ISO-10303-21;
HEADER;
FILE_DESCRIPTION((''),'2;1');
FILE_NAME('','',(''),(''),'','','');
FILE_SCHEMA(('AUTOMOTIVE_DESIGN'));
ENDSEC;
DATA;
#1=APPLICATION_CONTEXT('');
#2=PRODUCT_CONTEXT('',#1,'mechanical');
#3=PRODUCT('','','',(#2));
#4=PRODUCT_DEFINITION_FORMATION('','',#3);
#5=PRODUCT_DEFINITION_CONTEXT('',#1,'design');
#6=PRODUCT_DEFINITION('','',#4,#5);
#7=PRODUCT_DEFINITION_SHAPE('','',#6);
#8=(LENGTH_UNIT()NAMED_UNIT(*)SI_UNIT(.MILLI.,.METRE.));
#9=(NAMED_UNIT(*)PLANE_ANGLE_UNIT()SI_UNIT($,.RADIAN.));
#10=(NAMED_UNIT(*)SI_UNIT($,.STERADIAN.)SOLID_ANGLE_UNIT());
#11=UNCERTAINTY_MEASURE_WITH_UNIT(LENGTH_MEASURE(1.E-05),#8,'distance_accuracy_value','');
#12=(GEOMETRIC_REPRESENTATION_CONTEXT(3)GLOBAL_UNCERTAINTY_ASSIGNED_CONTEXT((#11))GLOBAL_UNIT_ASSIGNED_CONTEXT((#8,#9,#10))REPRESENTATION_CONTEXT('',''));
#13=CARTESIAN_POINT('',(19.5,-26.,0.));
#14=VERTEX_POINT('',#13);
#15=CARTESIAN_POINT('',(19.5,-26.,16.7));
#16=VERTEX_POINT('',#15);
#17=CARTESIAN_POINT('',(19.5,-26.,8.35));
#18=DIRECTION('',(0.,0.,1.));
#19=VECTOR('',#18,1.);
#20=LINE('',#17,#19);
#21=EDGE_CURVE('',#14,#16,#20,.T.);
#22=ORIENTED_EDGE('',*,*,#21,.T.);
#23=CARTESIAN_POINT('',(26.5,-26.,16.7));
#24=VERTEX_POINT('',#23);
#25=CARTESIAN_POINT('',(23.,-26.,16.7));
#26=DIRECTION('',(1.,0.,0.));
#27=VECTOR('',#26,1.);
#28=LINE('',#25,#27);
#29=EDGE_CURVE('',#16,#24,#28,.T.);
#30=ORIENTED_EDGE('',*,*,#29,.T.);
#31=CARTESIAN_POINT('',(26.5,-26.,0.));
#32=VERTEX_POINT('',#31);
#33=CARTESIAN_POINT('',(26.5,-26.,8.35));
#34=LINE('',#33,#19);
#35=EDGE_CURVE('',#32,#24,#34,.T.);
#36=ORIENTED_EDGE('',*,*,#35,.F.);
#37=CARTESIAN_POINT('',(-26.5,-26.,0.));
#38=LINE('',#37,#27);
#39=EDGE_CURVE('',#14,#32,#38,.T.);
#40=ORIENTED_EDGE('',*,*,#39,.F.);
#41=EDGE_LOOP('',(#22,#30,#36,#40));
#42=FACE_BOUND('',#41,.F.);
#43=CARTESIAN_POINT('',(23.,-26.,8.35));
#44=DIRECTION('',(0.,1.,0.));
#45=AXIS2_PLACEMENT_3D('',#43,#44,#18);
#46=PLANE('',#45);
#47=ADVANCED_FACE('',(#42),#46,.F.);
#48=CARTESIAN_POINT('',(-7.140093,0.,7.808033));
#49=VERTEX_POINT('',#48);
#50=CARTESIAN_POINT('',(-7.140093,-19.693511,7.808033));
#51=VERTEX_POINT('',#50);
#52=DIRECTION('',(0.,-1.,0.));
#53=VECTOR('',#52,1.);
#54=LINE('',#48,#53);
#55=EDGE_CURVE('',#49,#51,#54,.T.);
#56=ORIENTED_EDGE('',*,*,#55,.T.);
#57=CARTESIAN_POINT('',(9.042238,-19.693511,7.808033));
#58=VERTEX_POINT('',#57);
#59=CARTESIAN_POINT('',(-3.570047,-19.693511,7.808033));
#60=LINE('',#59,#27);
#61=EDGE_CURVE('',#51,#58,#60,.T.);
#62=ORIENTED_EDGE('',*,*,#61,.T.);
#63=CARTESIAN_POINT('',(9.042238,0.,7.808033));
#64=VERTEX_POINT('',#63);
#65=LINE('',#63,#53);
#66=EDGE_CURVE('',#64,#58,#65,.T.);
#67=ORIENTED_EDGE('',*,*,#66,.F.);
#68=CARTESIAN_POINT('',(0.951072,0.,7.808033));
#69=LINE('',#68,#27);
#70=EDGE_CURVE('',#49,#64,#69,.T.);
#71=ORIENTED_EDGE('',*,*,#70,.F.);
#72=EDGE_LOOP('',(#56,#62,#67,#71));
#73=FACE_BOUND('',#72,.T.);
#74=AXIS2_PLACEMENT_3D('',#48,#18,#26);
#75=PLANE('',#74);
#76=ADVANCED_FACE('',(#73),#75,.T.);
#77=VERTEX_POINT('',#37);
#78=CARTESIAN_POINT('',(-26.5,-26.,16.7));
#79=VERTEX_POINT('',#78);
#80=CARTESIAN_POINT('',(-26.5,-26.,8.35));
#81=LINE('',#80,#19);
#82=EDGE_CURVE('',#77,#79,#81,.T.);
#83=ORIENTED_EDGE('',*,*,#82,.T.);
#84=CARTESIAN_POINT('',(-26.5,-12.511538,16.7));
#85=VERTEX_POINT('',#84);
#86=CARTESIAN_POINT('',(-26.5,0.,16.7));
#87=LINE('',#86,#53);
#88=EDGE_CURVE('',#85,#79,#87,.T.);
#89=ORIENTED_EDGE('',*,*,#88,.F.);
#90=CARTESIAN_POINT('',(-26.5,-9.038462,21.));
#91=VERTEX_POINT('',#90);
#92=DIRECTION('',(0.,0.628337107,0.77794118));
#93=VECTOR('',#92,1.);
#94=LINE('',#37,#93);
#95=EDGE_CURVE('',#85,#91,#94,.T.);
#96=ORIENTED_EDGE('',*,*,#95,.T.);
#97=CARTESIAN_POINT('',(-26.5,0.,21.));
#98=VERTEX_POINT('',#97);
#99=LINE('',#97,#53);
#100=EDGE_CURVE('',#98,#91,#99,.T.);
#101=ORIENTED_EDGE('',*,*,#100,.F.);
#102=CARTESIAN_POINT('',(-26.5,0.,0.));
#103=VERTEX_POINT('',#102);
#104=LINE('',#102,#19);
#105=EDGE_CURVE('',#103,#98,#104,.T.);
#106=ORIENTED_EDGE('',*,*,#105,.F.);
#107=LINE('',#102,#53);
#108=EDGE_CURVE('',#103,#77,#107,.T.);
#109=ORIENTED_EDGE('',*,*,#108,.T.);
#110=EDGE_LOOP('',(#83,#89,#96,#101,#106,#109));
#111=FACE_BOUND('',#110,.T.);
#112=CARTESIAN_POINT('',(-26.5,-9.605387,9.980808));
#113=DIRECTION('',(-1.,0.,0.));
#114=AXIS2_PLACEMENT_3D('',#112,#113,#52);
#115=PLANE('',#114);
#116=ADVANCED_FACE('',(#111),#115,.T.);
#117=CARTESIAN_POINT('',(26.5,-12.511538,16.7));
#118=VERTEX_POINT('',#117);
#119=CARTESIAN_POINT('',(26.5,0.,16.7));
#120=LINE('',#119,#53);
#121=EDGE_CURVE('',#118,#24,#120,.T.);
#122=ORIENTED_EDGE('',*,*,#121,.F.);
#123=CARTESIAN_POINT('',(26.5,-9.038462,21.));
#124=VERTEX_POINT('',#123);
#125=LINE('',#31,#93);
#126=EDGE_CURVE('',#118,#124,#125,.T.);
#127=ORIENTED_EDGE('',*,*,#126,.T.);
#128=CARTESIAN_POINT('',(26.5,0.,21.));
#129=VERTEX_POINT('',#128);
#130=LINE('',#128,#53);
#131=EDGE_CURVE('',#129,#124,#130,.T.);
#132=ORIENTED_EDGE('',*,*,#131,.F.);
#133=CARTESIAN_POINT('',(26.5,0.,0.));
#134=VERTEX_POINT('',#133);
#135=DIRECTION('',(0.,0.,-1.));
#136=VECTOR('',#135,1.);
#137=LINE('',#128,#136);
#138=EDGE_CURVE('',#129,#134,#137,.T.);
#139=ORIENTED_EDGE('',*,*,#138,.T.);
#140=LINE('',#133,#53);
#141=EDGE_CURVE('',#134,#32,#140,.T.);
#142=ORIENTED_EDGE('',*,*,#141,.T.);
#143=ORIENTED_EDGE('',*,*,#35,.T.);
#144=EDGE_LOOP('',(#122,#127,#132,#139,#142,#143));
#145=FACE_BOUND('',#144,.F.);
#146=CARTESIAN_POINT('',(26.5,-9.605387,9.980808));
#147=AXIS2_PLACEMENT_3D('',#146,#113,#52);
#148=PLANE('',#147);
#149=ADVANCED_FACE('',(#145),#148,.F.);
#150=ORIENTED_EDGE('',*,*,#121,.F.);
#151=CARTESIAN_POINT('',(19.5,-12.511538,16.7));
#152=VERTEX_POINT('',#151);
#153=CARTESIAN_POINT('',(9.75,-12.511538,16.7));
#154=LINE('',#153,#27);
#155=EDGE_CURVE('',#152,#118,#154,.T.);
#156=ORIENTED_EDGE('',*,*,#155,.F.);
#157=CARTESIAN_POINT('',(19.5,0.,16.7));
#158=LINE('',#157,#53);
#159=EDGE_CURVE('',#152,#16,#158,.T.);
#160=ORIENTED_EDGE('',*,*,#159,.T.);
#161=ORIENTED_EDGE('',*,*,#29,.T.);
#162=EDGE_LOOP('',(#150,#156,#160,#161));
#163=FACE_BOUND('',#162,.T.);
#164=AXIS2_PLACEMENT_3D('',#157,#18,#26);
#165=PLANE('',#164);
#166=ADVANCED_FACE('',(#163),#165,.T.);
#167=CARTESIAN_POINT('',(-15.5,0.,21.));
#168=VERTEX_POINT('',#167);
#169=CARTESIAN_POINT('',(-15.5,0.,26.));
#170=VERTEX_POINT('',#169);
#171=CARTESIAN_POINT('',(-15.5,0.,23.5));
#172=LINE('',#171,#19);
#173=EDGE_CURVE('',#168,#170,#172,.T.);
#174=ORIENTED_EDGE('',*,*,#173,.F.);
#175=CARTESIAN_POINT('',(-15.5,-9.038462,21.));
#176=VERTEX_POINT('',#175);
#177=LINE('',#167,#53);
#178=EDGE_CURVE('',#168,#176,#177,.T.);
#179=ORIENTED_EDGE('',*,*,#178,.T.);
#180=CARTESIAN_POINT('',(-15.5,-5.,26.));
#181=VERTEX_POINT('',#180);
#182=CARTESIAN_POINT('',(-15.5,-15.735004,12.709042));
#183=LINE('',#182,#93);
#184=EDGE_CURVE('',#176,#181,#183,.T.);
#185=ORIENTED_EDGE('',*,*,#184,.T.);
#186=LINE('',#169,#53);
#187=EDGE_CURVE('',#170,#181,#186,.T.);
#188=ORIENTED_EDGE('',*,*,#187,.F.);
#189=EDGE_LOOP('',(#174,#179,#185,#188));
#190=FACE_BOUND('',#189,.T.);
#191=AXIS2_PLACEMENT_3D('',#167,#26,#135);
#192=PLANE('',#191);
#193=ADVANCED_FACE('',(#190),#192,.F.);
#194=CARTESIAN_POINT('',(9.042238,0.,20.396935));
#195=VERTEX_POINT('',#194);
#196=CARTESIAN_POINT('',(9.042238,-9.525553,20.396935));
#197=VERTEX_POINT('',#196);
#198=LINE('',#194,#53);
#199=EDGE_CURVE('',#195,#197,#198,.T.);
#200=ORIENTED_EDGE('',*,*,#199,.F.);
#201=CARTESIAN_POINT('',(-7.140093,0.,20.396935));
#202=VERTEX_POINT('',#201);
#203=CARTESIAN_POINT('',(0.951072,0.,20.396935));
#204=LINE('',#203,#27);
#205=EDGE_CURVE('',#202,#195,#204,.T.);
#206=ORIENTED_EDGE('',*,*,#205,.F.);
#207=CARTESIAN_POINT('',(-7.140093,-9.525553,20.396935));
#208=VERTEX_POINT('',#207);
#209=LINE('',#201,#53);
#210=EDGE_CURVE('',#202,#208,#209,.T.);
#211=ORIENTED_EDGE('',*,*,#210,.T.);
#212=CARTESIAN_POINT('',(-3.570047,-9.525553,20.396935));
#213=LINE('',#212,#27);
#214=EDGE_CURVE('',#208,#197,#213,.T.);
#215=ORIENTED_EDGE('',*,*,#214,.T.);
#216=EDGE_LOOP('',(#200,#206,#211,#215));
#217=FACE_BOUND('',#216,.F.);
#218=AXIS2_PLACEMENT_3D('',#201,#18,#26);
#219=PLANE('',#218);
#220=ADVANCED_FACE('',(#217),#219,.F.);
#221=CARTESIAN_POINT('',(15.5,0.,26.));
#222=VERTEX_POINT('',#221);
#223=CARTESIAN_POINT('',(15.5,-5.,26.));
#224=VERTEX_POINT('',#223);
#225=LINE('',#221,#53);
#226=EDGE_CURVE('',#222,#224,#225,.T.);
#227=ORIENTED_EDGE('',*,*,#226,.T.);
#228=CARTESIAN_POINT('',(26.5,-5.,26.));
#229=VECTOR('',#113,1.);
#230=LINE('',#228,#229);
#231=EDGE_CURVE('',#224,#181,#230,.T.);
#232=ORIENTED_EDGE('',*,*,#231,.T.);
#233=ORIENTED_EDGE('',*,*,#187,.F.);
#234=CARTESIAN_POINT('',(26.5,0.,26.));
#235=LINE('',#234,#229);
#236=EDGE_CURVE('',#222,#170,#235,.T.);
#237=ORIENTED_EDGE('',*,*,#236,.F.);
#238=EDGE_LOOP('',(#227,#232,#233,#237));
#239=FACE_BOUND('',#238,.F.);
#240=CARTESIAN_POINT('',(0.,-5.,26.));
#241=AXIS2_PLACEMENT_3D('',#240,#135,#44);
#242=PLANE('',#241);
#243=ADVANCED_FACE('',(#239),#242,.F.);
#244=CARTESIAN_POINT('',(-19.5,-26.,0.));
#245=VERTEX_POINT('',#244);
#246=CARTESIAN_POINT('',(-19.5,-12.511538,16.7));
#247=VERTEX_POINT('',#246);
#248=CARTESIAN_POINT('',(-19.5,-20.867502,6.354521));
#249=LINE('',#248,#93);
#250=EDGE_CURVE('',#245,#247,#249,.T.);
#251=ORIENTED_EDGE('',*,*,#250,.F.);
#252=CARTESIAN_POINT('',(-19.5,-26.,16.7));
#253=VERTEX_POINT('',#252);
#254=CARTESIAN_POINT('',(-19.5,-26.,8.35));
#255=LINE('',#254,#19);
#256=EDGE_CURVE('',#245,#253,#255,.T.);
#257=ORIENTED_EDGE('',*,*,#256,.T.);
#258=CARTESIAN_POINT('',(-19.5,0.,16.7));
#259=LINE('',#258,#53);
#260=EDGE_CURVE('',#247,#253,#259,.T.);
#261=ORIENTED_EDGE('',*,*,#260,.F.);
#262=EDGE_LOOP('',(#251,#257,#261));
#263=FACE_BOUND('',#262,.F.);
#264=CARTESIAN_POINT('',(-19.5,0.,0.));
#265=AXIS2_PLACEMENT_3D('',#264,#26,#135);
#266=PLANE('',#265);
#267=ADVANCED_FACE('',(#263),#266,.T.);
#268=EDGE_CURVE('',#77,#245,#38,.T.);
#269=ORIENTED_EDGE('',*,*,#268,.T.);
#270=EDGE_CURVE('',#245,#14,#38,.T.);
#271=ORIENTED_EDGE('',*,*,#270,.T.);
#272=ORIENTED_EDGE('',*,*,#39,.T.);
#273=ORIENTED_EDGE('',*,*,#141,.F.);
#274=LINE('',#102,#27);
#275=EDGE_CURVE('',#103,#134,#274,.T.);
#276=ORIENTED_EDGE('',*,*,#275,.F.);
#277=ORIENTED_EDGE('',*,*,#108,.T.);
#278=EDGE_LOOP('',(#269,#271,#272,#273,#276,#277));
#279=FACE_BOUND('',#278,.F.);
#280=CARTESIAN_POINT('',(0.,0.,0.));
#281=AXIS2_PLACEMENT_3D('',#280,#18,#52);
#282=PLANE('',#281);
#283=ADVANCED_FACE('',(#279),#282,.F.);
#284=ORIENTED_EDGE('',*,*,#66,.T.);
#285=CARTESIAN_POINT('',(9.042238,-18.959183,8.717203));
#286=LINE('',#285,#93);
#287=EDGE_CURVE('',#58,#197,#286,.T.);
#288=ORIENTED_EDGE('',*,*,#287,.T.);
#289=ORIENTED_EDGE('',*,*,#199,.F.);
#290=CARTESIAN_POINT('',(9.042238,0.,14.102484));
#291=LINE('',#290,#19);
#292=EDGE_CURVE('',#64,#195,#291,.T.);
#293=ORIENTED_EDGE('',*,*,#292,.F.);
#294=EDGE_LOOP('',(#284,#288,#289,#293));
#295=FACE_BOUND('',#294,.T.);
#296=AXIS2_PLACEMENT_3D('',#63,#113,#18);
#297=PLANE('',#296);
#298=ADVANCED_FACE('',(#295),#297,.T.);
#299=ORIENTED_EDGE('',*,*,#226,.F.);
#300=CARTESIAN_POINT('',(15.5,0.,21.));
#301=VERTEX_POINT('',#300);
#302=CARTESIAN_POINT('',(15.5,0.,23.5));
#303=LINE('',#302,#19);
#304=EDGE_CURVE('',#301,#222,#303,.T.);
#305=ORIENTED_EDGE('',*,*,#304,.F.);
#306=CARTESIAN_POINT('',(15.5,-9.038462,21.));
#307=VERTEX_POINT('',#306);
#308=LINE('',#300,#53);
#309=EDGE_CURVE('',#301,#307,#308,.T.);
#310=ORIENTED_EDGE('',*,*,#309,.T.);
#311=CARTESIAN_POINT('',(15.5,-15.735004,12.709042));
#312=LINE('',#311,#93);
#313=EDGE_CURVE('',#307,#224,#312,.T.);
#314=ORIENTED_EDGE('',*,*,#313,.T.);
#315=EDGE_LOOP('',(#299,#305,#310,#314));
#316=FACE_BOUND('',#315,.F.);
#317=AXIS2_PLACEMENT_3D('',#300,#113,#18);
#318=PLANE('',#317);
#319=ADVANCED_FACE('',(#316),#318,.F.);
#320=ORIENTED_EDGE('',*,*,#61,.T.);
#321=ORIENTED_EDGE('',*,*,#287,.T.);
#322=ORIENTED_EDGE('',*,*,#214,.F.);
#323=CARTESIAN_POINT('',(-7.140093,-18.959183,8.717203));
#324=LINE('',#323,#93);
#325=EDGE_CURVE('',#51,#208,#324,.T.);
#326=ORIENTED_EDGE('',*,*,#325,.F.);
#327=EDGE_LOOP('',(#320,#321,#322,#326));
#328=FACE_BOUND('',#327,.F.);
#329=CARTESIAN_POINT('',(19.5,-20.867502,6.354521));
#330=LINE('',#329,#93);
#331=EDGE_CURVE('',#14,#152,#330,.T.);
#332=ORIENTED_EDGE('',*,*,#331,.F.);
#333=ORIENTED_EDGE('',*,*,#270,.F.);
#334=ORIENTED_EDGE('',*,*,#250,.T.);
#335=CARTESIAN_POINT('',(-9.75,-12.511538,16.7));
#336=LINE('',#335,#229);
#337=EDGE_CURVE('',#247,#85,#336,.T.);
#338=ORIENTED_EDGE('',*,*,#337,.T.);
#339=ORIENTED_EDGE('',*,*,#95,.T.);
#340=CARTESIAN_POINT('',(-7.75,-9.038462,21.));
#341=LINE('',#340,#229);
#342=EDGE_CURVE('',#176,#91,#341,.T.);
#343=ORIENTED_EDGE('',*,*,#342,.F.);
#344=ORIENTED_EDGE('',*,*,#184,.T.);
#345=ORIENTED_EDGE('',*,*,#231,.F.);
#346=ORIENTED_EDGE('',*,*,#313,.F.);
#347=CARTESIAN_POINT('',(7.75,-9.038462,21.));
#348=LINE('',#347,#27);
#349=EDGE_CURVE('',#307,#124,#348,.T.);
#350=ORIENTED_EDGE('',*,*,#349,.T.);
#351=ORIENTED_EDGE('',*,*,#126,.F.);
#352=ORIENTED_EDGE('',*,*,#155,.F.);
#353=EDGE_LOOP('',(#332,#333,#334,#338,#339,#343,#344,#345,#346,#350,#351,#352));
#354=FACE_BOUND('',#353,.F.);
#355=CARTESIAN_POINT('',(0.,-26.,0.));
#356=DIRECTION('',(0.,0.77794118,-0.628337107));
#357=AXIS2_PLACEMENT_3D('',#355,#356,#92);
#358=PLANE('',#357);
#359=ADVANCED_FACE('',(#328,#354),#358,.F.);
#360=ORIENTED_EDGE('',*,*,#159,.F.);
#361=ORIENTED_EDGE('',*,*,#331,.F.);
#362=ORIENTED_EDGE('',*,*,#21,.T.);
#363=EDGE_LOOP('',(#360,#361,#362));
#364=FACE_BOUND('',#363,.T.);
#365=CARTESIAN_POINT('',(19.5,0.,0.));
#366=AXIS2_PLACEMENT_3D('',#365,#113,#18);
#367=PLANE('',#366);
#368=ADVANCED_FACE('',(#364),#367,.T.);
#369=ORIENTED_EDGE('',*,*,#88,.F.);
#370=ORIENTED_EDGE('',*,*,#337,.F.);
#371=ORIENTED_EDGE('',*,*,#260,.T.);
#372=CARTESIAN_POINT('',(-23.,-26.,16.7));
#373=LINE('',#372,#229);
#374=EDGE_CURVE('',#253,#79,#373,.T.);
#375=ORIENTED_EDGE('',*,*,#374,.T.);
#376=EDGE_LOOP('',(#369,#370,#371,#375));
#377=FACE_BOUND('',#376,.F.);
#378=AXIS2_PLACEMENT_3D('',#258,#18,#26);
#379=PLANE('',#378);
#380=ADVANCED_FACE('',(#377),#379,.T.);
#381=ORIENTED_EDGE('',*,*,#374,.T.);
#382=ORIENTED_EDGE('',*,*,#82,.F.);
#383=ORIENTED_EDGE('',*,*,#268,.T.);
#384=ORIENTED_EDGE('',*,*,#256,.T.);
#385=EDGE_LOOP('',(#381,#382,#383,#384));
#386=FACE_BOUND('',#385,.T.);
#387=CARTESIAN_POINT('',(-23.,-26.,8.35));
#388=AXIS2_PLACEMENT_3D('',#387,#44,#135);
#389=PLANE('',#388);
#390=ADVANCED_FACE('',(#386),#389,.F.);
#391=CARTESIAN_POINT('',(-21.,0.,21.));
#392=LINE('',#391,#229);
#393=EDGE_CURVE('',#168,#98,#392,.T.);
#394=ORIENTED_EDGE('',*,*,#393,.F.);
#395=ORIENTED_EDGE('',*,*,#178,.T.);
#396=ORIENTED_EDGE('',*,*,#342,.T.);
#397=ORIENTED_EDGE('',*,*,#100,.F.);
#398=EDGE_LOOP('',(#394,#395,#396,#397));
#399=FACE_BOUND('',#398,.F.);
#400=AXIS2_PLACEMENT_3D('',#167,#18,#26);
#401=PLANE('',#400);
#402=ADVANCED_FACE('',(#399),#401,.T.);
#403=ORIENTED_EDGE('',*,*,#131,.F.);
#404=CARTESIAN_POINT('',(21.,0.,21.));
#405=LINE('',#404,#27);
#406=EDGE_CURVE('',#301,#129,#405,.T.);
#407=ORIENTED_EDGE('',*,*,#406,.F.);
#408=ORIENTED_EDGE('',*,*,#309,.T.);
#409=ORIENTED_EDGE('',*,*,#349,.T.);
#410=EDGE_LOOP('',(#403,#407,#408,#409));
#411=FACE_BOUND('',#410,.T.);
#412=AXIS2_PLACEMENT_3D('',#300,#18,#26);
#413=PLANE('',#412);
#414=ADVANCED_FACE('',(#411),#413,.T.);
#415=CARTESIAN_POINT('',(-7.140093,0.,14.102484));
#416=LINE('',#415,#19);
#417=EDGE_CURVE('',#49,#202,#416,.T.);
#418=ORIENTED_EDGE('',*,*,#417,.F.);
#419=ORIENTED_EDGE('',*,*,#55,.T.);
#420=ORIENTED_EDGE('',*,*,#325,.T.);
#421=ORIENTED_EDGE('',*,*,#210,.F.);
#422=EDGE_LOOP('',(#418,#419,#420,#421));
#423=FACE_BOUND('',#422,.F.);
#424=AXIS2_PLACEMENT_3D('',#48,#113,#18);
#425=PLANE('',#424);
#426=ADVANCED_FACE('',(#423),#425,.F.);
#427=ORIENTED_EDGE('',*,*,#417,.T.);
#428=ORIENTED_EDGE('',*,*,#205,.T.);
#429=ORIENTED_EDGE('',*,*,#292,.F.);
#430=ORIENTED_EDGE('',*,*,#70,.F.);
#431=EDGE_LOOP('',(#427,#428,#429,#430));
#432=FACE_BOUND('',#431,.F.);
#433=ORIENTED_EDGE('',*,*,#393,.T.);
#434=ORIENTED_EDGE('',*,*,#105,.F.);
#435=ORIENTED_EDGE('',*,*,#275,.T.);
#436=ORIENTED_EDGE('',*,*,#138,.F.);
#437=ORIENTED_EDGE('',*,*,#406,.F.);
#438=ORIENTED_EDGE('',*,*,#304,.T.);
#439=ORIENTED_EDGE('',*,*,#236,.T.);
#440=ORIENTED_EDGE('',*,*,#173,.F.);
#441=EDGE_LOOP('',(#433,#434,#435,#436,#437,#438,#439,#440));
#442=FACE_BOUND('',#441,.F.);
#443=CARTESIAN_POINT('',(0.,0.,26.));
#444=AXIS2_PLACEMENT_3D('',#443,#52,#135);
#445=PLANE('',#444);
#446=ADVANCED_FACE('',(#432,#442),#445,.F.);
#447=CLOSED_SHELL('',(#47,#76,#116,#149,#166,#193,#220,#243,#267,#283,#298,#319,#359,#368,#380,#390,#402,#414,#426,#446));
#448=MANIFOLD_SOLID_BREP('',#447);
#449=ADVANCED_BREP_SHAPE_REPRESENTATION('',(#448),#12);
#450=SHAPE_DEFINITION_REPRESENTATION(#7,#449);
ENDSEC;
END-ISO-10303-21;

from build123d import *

# Parameters (mm, degrees)
PAD_DEPTH       = 26.5
PAD_DEPTH_BACK  = 26.5
SKETCH001_W     = 5
SKETCH001_H     = 11
POCKET_DEPTH    = 155.012627
SKETCH002_W     = 16.7
SKETCH002_H     = 7
PAD001_DEPTH    = 26
SKETCH004_W     = 12.588901
SKETCH004_H     = 16.182331
POCKET001_DEPTH = 26.001


with BuildPart() as part:
    # Sketch → Pad (new body, two sides)
    with BuildSketch(Plane.YZ) as pad_sk:
        Polygon((-26, 0), (-5, 26), (0, 26), (0, 0), align=None)
    extrude(amount=PAD_DEPTH)
    extrude(pad_sk.sketch, amount=-PAD_DEPTH_BACK)

    # Sketch001 (on Face3 of Pad) → Pocket (cut, through all)
    with BuildSketch(Plane.ZX):
        with Locations((23.5, 21)):
            Rectangle(SKETCH001_W, SKETCH001_H)
    pocket = extrude(amount=-POCKET_DEPTH, mode=Mode.SUBTRACT)

    # Mirrored: Pocket across Sketch001 H_Axis
    add(pocket.mirror(Plane.YZ), mode=Mode.SUBTRACT)

    # Sketch002 (on Face10 of Mirrored) → Pad001 (join)
    with BuildSketch(Plane.ZX):
        with Locations((8.35, 23)):
            Rectangle(SKETCH002_W, SKETCH002_H)
    pad001 = extrude(amount=-PAD001_DEPTH)

    # Mirrored001: Pad001 across Sketch002 H_Axis
    add(pad001.mirror(Plane.YZ))

    # Sketch004 (on Face6 of Mirrored001) → Pocket001 (cut, through all)
    with BuildSketch(Plane.ZX):
        with Locations((14.102484, 0.951072)):
            Rectangle(SKETCH004_W, SKETCH004_H)
    extrude(amount=-POCKET001_DEPTH, mode=Mode.SUBTRACT)


solid = part.part
